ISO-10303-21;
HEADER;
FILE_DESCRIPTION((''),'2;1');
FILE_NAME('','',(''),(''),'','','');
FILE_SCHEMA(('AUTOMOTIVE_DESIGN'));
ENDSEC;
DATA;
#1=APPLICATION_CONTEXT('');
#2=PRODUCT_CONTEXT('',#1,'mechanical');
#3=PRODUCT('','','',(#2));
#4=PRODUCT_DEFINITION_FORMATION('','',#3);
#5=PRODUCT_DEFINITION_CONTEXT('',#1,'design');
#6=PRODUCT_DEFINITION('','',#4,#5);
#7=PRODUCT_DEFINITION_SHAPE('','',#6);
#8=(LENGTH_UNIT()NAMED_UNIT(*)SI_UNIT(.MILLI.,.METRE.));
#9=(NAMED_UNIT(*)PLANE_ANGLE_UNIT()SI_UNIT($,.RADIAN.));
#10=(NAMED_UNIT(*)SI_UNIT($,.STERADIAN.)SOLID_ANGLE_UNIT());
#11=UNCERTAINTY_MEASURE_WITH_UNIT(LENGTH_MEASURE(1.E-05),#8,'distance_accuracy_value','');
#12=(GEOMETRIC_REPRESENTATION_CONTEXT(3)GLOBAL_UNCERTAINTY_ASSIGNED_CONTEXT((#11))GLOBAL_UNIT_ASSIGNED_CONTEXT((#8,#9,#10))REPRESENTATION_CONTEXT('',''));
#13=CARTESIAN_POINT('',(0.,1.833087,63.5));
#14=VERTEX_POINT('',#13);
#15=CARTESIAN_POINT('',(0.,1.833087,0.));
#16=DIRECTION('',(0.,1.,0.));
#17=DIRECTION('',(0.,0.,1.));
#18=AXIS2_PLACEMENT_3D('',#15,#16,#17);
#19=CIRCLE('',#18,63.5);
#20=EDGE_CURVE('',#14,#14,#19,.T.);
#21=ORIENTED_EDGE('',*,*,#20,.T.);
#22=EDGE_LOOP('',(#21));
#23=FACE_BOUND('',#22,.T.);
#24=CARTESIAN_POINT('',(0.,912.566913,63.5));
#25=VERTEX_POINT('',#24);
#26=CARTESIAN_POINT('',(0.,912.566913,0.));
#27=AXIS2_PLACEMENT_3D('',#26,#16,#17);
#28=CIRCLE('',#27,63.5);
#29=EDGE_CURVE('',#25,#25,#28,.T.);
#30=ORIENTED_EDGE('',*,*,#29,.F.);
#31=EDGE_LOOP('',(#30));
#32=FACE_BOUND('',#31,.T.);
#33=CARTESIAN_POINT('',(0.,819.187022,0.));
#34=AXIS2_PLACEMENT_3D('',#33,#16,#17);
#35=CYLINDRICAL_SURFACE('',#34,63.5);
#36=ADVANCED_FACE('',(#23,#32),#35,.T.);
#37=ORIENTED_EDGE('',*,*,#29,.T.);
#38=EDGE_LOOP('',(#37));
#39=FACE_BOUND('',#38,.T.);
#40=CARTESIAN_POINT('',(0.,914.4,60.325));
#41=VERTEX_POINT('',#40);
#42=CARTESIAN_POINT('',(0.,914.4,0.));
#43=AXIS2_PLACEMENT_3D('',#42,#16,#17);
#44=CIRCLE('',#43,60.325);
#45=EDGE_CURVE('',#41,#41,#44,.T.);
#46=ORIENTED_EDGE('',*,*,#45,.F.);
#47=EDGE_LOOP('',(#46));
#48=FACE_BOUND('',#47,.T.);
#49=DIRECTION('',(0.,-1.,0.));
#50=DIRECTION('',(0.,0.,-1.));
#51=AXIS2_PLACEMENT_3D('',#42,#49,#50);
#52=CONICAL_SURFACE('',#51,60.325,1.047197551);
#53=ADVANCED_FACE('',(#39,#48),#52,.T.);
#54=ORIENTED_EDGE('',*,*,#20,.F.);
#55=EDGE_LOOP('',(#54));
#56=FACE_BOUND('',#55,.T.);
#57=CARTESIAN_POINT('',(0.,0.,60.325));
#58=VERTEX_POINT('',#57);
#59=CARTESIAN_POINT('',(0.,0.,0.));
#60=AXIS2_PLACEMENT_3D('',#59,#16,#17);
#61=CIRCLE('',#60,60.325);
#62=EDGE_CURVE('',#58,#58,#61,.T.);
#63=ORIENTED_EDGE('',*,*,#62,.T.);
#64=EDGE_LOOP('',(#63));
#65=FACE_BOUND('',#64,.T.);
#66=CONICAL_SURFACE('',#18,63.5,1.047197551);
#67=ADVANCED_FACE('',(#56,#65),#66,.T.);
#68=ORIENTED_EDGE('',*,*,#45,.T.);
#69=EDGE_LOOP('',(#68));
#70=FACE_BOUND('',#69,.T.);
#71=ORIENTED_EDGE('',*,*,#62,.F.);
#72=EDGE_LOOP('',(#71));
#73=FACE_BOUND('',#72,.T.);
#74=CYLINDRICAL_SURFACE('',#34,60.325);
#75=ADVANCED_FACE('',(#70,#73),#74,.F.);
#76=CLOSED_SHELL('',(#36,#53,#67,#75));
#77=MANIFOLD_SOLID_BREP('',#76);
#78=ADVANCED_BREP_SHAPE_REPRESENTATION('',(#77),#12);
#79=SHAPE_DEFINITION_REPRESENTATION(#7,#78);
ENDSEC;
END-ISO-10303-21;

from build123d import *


with BuildPart() as part:
    # Sketch2 → Revolve1 (revolve)
    with BuildSketch(Plane.XY):
        Polygon((-63.5, 1.833087105), (-63.5, 912.566912895), (-60.325, 914.4), (-60.325, 0), align=None)
    revolve(axis=Axis((0, 819.187021794, 0), (0, -1, 0)))


solid = part.part
